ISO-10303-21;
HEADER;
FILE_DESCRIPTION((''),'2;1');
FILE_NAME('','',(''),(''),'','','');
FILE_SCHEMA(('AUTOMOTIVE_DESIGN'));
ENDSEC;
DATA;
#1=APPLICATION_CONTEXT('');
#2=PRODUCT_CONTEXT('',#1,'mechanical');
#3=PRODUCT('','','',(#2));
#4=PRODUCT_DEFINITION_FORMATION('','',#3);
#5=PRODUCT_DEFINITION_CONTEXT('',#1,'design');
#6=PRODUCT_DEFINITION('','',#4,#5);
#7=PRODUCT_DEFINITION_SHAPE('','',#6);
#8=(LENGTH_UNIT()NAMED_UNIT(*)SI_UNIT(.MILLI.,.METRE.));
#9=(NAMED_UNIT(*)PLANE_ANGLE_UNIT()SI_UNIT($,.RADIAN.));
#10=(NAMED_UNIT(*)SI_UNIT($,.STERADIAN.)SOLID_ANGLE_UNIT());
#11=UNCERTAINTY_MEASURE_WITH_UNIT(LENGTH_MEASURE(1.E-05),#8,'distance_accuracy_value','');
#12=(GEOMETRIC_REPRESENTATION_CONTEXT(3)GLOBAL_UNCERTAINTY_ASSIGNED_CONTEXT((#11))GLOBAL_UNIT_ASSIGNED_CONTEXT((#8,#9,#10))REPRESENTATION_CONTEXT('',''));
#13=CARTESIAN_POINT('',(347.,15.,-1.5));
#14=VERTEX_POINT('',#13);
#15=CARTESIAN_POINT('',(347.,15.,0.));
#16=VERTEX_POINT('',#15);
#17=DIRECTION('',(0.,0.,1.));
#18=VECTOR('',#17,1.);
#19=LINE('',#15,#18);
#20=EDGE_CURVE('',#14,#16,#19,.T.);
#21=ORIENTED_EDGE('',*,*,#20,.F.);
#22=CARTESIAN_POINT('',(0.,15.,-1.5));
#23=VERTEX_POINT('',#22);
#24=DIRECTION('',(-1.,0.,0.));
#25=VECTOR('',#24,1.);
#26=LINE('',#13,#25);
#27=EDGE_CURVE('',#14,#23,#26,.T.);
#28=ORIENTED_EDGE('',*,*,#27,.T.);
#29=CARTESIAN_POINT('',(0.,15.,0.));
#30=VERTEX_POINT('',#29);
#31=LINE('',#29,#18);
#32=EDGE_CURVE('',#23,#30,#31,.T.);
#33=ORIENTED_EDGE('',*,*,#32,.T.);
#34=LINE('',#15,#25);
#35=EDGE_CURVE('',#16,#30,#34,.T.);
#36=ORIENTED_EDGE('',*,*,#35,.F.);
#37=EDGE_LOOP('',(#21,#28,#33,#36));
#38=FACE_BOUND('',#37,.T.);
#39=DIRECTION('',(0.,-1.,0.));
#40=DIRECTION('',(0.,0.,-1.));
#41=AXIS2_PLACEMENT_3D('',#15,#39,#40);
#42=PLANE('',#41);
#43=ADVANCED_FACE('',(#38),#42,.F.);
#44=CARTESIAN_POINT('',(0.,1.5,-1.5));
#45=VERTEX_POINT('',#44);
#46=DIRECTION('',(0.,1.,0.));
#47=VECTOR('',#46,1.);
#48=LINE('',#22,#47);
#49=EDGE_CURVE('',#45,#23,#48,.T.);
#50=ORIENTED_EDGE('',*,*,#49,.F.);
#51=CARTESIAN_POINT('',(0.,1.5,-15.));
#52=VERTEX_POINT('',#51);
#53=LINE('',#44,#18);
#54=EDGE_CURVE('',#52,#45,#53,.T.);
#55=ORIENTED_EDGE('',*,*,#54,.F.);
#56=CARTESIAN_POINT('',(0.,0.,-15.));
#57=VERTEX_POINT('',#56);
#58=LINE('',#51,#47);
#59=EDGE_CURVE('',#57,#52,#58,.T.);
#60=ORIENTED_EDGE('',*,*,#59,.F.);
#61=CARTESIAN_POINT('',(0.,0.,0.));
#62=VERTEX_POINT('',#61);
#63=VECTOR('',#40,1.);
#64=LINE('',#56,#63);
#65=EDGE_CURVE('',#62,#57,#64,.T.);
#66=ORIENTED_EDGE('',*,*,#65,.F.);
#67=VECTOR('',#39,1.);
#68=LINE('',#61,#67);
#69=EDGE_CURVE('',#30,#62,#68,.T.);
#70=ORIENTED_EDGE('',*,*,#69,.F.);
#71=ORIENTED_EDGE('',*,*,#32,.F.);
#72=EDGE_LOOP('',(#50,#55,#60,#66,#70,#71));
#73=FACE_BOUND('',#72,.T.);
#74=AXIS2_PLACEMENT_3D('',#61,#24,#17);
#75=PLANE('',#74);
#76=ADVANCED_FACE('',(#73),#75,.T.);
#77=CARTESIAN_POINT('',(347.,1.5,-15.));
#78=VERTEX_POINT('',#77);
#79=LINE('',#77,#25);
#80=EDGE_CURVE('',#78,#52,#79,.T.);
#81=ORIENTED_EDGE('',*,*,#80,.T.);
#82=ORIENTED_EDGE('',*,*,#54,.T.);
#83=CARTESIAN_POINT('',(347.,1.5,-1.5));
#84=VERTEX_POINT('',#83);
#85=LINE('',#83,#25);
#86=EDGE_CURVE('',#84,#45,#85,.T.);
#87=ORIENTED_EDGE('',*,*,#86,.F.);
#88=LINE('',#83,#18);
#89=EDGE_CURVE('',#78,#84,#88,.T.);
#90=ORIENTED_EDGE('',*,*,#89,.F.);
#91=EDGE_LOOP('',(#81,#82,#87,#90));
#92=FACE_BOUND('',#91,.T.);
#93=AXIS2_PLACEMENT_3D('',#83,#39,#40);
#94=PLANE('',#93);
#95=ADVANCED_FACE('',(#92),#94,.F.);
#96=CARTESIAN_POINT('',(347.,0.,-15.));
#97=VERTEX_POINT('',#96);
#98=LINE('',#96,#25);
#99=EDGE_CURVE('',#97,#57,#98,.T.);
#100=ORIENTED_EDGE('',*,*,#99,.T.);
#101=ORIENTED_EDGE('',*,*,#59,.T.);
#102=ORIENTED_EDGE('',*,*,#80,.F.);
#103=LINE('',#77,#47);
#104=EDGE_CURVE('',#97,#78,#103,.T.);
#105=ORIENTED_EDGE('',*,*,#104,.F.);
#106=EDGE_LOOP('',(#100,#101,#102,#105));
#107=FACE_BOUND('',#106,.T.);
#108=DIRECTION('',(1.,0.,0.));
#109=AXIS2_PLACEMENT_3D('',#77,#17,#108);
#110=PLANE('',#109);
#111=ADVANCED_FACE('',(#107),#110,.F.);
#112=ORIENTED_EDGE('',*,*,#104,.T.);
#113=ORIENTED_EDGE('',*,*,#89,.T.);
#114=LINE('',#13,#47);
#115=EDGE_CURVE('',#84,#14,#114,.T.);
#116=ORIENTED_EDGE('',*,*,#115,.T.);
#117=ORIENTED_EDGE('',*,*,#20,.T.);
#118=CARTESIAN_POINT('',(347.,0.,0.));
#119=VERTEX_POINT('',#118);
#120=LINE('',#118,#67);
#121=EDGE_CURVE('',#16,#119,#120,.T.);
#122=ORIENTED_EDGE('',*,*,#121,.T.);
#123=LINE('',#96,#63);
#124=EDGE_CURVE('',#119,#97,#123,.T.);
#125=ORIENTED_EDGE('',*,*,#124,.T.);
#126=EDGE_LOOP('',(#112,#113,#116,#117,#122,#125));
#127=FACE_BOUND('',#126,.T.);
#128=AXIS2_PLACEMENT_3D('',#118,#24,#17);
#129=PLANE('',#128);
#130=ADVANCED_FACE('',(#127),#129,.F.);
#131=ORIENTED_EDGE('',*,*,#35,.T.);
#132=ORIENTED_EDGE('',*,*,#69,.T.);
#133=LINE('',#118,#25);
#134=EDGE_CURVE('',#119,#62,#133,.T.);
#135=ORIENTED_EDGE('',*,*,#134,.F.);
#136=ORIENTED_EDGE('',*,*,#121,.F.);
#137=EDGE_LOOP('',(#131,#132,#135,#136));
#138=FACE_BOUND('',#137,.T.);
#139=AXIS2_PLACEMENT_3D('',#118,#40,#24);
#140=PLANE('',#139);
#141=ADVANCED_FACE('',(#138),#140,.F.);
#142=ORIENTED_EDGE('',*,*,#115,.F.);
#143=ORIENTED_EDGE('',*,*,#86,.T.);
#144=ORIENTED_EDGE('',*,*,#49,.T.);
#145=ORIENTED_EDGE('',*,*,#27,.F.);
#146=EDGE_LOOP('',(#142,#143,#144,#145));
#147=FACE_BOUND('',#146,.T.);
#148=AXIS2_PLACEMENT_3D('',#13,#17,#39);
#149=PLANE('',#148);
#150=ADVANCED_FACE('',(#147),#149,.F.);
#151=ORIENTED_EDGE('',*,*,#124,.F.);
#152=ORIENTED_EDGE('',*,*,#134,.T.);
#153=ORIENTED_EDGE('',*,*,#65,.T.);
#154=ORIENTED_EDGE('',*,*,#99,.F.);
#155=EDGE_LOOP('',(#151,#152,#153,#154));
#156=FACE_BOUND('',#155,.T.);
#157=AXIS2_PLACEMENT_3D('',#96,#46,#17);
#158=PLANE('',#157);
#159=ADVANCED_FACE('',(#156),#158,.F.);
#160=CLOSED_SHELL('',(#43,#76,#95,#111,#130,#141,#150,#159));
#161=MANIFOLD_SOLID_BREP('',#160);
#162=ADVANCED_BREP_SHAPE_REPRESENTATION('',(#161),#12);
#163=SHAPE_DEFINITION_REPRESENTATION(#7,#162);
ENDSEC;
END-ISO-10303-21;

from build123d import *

# Parameters (mm, degrees)
EXTRUDE_1_DEPTH = 347


with BuildPart() as part:
    # Эскиз1 → Бобышка-Вытянуть1 (new body)
    with BuildSketch(Plane(origin=(0, 0, 0), x_dir=(0, 0, -1), z_dir=(1, 0, 0))):
        Polygon((0, 0), (0, 15), (1.5, 15), (1.5, 1.5), (15, 1.5), (15, 0), align=None)
    extrude(amount=EXTRUDE_1_DEPTH)


solid = part.part
